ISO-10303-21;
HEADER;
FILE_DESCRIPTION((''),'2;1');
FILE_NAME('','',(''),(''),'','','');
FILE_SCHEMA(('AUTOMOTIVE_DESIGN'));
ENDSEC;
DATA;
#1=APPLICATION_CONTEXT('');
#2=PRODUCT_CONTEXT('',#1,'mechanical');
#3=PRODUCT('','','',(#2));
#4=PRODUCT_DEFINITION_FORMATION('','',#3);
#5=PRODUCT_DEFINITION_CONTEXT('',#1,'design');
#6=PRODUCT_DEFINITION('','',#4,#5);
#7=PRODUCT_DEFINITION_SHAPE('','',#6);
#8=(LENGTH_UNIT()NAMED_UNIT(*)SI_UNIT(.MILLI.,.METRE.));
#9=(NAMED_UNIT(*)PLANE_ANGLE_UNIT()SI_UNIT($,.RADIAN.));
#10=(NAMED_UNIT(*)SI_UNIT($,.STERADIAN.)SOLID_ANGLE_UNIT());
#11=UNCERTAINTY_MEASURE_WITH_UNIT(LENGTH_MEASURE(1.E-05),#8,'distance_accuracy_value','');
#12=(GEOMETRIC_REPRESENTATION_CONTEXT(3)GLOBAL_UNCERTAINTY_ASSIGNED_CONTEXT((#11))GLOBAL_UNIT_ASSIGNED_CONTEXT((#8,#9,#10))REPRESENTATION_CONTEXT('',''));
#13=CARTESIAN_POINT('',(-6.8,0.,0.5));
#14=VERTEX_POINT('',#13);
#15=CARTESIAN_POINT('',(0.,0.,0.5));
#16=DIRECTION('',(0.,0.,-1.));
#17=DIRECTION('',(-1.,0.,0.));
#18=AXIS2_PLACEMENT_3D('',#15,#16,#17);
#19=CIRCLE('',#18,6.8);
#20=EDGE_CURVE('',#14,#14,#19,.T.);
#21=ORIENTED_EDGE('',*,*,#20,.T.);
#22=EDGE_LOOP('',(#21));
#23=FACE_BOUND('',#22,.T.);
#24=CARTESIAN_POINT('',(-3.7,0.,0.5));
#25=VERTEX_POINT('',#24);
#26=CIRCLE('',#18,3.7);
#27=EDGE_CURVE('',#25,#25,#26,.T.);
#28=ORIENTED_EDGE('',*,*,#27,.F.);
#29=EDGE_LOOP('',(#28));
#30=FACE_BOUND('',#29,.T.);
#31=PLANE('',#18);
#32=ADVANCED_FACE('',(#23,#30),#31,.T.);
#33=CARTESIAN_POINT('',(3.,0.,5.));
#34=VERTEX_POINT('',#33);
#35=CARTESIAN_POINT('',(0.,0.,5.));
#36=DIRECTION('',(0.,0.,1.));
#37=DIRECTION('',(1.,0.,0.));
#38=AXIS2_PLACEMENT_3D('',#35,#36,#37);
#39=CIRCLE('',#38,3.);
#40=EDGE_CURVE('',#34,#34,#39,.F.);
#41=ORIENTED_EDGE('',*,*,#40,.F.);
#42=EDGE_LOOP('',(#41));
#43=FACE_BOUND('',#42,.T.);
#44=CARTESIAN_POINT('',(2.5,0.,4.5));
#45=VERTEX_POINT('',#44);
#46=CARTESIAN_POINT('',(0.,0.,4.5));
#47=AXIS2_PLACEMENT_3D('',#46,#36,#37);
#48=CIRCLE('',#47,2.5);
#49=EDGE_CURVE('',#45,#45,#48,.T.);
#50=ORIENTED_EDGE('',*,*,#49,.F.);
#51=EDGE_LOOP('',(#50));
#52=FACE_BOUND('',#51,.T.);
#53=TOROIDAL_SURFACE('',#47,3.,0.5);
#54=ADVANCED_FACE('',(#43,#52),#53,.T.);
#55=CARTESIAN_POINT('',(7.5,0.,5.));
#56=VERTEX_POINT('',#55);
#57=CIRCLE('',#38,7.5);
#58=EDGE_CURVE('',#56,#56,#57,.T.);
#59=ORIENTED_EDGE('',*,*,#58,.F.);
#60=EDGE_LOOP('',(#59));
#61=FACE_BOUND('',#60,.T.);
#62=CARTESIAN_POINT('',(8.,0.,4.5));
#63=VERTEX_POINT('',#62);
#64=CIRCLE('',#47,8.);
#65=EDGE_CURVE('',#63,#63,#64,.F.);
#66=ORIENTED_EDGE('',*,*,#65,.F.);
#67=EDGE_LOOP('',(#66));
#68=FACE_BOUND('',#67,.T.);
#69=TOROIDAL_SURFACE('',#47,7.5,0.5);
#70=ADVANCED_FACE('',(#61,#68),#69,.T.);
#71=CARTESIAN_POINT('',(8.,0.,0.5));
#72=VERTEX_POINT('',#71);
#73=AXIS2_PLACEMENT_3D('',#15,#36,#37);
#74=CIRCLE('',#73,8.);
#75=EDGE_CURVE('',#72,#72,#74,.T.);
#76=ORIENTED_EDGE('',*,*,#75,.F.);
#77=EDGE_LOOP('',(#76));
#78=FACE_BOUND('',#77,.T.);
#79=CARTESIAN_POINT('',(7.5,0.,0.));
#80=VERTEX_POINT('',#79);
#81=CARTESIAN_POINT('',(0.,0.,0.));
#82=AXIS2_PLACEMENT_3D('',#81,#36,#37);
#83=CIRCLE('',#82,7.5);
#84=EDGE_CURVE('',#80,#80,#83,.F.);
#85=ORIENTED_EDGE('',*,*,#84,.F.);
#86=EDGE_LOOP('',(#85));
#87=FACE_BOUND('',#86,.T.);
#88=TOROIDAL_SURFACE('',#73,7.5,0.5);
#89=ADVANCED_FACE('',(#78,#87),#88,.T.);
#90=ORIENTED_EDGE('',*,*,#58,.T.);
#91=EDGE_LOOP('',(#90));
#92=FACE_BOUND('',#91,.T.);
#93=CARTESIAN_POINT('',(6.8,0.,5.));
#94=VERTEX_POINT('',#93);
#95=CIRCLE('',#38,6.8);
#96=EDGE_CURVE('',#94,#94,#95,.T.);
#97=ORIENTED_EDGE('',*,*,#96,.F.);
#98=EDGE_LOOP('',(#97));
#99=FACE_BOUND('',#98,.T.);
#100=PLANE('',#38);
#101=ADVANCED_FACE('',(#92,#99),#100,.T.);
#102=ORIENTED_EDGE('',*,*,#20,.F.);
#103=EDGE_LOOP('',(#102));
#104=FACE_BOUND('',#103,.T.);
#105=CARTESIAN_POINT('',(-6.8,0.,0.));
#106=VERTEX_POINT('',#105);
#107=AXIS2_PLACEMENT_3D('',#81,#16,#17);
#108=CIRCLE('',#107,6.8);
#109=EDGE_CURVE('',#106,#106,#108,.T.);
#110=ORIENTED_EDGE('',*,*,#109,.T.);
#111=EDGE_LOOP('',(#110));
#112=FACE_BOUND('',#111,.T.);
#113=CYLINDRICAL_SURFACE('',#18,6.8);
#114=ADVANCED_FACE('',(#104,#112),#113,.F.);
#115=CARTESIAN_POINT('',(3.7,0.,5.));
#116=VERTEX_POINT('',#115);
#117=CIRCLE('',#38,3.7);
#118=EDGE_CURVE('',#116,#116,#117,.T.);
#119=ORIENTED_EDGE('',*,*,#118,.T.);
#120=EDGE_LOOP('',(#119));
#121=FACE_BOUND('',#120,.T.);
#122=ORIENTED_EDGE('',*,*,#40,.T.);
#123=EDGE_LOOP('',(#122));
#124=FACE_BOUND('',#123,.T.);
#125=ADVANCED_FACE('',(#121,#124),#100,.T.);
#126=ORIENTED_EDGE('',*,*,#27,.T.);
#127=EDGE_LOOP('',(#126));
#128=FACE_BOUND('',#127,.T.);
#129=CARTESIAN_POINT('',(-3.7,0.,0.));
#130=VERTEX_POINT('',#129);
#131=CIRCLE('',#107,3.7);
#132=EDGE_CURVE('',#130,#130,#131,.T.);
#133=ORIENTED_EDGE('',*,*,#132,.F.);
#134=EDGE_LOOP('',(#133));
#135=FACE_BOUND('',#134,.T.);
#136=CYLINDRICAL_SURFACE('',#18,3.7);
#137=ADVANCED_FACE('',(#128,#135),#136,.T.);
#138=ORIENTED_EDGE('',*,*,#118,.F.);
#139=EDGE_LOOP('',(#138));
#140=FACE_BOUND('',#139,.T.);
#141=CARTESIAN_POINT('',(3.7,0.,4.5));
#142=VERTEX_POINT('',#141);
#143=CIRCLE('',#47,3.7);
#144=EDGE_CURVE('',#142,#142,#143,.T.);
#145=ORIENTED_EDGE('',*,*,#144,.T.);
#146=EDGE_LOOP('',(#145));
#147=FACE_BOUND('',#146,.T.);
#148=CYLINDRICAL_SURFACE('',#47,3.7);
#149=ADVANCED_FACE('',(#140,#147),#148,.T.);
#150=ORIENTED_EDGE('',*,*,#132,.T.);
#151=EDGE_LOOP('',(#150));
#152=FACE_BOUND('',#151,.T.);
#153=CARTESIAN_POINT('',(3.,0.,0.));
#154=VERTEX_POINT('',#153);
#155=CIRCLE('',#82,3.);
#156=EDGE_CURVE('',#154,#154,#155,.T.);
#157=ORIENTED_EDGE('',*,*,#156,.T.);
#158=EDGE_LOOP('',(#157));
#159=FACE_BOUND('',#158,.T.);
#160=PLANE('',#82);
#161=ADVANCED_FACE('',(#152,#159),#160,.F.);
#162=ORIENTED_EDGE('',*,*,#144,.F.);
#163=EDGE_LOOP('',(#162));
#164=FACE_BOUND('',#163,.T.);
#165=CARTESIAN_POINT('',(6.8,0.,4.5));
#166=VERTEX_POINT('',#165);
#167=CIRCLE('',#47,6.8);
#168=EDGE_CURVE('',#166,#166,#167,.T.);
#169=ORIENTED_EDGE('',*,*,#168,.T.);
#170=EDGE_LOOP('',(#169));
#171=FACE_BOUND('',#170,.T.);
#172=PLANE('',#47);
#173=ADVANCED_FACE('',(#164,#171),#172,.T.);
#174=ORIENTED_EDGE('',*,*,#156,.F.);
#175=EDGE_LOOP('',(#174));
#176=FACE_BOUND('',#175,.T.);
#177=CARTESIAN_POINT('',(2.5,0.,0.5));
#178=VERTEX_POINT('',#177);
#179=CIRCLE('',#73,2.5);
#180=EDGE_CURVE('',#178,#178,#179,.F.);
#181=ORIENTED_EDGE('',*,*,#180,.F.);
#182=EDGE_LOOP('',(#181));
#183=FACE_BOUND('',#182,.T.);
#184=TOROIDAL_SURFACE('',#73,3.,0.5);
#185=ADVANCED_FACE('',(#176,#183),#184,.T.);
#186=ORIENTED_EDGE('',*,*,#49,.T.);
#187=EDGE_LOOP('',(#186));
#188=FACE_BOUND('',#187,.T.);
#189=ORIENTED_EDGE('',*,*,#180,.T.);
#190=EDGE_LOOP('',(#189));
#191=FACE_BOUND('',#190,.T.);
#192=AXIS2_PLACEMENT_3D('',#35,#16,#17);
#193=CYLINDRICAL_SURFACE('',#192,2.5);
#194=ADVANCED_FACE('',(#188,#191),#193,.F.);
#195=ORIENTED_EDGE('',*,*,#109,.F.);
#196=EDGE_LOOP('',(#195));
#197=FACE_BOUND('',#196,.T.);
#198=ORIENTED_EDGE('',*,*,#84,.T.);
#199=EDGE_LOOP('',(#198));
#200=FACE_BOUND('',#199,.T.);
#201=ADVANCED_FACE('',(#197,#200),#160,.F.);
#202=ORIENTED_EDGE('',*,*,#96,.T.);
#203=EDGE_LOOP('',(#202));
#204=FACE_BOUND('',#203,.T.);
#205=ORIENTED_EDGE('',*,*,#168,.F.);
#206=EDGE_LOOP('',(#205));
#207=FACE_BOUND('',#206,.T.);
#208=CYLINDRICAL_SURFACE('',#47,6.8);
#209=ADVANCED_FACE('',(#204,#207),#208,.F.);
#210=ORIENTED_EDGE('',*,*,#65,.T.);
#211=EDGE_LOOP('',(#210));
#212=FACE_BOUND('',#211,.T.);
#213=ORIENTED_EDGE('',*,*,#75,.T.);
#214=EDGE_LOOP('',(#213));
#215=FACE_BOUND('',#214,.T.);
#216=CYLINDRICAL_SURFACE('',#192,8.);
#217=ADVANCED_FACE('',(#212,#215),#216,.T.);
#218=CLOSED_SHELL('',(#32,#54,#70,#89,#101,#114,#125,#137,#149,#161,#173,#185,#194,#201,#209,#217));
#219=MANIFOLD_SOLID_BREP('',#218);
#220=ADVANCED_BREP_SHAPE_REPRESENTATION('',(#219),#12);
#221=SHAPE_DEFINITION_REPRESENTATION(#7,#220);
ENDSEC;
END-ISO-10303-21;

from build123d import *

# Parameters (mm, degrees)
ESBO_O1_R                = 8
ESBO_O1_R_2              = 2.5
RESSALTO_EXTRUS_O1_DEPTH = 5
ESBO_O2_R                = 6.8
ESBO_O2_R_2              = 3.7
CORTE_EXTRUS_O1_DEPTH    = 0.5
CORTE_EXTRUS_O2_START    = -0.5
ESBO_O3_R                = 6.8
ESBO_O3_R_2              = 3.7
CORTE_EXTRUS_O2_DEPTH    = 0.5
FILETE1_R                = 0.5


with BuildPart() as part:
    # Esboço1 → Ressalto-extrusão1 (new body)
    with BuildSketch(Plane.XY):
        Circle(ESBO_O1_R)
        Circle(ESBO_O1_R_2, mode=Mode.SUBTRACT)
    extrude(amount=RESSALTO_EXTRUS_O1_DEPTH)

    # Esboço2 → Corte-extrusão1 (cut)
    with BuildSketch(Plane.XY.offset(5)):
        Circle(ESBO_O2_R)
        Circle(ESBO_O2_R_2, mode=Mode.SUBTRACT)
    extrude(amount=-CORTE_EXTRUS_O1_DEPTH, mode=Mode.SUBTRACT)

    # Esboço3 → Corte-extrusão2 (cut)
    with BuildSketch(Plane(origin=(0, 0, 0), x_dir=(-1, 0, 0), z_dir=(0, 0, -1)).offset(CORTE_EXTRUS_O2_START)):
        with Locations(Location((0, 0, 0), (0, 0, 180))):
            Circle(ESBO_O3_R)
        with Locations(Location((0, 0, 0), (0, 0, 180))):
            Circle(ESBO_O3_R_2, mode=Mode.SUBTRACT)
    extrude(amount=CORTE_EXTRUS_O2_DEPTH, mode=Mode.SUBTRACT)

    # Filete1
    filete1_edges = [part.edges().sort_by_distance(p)[0] for p in [
        (-8, 0, 0),
        (-8, 0, 5),
        (-2.5, 0, 0),
        (-2.5, 0, 5),
    ]]
    fillet(filete1_edges, radius=FILETE1_R)


solid = part.part
